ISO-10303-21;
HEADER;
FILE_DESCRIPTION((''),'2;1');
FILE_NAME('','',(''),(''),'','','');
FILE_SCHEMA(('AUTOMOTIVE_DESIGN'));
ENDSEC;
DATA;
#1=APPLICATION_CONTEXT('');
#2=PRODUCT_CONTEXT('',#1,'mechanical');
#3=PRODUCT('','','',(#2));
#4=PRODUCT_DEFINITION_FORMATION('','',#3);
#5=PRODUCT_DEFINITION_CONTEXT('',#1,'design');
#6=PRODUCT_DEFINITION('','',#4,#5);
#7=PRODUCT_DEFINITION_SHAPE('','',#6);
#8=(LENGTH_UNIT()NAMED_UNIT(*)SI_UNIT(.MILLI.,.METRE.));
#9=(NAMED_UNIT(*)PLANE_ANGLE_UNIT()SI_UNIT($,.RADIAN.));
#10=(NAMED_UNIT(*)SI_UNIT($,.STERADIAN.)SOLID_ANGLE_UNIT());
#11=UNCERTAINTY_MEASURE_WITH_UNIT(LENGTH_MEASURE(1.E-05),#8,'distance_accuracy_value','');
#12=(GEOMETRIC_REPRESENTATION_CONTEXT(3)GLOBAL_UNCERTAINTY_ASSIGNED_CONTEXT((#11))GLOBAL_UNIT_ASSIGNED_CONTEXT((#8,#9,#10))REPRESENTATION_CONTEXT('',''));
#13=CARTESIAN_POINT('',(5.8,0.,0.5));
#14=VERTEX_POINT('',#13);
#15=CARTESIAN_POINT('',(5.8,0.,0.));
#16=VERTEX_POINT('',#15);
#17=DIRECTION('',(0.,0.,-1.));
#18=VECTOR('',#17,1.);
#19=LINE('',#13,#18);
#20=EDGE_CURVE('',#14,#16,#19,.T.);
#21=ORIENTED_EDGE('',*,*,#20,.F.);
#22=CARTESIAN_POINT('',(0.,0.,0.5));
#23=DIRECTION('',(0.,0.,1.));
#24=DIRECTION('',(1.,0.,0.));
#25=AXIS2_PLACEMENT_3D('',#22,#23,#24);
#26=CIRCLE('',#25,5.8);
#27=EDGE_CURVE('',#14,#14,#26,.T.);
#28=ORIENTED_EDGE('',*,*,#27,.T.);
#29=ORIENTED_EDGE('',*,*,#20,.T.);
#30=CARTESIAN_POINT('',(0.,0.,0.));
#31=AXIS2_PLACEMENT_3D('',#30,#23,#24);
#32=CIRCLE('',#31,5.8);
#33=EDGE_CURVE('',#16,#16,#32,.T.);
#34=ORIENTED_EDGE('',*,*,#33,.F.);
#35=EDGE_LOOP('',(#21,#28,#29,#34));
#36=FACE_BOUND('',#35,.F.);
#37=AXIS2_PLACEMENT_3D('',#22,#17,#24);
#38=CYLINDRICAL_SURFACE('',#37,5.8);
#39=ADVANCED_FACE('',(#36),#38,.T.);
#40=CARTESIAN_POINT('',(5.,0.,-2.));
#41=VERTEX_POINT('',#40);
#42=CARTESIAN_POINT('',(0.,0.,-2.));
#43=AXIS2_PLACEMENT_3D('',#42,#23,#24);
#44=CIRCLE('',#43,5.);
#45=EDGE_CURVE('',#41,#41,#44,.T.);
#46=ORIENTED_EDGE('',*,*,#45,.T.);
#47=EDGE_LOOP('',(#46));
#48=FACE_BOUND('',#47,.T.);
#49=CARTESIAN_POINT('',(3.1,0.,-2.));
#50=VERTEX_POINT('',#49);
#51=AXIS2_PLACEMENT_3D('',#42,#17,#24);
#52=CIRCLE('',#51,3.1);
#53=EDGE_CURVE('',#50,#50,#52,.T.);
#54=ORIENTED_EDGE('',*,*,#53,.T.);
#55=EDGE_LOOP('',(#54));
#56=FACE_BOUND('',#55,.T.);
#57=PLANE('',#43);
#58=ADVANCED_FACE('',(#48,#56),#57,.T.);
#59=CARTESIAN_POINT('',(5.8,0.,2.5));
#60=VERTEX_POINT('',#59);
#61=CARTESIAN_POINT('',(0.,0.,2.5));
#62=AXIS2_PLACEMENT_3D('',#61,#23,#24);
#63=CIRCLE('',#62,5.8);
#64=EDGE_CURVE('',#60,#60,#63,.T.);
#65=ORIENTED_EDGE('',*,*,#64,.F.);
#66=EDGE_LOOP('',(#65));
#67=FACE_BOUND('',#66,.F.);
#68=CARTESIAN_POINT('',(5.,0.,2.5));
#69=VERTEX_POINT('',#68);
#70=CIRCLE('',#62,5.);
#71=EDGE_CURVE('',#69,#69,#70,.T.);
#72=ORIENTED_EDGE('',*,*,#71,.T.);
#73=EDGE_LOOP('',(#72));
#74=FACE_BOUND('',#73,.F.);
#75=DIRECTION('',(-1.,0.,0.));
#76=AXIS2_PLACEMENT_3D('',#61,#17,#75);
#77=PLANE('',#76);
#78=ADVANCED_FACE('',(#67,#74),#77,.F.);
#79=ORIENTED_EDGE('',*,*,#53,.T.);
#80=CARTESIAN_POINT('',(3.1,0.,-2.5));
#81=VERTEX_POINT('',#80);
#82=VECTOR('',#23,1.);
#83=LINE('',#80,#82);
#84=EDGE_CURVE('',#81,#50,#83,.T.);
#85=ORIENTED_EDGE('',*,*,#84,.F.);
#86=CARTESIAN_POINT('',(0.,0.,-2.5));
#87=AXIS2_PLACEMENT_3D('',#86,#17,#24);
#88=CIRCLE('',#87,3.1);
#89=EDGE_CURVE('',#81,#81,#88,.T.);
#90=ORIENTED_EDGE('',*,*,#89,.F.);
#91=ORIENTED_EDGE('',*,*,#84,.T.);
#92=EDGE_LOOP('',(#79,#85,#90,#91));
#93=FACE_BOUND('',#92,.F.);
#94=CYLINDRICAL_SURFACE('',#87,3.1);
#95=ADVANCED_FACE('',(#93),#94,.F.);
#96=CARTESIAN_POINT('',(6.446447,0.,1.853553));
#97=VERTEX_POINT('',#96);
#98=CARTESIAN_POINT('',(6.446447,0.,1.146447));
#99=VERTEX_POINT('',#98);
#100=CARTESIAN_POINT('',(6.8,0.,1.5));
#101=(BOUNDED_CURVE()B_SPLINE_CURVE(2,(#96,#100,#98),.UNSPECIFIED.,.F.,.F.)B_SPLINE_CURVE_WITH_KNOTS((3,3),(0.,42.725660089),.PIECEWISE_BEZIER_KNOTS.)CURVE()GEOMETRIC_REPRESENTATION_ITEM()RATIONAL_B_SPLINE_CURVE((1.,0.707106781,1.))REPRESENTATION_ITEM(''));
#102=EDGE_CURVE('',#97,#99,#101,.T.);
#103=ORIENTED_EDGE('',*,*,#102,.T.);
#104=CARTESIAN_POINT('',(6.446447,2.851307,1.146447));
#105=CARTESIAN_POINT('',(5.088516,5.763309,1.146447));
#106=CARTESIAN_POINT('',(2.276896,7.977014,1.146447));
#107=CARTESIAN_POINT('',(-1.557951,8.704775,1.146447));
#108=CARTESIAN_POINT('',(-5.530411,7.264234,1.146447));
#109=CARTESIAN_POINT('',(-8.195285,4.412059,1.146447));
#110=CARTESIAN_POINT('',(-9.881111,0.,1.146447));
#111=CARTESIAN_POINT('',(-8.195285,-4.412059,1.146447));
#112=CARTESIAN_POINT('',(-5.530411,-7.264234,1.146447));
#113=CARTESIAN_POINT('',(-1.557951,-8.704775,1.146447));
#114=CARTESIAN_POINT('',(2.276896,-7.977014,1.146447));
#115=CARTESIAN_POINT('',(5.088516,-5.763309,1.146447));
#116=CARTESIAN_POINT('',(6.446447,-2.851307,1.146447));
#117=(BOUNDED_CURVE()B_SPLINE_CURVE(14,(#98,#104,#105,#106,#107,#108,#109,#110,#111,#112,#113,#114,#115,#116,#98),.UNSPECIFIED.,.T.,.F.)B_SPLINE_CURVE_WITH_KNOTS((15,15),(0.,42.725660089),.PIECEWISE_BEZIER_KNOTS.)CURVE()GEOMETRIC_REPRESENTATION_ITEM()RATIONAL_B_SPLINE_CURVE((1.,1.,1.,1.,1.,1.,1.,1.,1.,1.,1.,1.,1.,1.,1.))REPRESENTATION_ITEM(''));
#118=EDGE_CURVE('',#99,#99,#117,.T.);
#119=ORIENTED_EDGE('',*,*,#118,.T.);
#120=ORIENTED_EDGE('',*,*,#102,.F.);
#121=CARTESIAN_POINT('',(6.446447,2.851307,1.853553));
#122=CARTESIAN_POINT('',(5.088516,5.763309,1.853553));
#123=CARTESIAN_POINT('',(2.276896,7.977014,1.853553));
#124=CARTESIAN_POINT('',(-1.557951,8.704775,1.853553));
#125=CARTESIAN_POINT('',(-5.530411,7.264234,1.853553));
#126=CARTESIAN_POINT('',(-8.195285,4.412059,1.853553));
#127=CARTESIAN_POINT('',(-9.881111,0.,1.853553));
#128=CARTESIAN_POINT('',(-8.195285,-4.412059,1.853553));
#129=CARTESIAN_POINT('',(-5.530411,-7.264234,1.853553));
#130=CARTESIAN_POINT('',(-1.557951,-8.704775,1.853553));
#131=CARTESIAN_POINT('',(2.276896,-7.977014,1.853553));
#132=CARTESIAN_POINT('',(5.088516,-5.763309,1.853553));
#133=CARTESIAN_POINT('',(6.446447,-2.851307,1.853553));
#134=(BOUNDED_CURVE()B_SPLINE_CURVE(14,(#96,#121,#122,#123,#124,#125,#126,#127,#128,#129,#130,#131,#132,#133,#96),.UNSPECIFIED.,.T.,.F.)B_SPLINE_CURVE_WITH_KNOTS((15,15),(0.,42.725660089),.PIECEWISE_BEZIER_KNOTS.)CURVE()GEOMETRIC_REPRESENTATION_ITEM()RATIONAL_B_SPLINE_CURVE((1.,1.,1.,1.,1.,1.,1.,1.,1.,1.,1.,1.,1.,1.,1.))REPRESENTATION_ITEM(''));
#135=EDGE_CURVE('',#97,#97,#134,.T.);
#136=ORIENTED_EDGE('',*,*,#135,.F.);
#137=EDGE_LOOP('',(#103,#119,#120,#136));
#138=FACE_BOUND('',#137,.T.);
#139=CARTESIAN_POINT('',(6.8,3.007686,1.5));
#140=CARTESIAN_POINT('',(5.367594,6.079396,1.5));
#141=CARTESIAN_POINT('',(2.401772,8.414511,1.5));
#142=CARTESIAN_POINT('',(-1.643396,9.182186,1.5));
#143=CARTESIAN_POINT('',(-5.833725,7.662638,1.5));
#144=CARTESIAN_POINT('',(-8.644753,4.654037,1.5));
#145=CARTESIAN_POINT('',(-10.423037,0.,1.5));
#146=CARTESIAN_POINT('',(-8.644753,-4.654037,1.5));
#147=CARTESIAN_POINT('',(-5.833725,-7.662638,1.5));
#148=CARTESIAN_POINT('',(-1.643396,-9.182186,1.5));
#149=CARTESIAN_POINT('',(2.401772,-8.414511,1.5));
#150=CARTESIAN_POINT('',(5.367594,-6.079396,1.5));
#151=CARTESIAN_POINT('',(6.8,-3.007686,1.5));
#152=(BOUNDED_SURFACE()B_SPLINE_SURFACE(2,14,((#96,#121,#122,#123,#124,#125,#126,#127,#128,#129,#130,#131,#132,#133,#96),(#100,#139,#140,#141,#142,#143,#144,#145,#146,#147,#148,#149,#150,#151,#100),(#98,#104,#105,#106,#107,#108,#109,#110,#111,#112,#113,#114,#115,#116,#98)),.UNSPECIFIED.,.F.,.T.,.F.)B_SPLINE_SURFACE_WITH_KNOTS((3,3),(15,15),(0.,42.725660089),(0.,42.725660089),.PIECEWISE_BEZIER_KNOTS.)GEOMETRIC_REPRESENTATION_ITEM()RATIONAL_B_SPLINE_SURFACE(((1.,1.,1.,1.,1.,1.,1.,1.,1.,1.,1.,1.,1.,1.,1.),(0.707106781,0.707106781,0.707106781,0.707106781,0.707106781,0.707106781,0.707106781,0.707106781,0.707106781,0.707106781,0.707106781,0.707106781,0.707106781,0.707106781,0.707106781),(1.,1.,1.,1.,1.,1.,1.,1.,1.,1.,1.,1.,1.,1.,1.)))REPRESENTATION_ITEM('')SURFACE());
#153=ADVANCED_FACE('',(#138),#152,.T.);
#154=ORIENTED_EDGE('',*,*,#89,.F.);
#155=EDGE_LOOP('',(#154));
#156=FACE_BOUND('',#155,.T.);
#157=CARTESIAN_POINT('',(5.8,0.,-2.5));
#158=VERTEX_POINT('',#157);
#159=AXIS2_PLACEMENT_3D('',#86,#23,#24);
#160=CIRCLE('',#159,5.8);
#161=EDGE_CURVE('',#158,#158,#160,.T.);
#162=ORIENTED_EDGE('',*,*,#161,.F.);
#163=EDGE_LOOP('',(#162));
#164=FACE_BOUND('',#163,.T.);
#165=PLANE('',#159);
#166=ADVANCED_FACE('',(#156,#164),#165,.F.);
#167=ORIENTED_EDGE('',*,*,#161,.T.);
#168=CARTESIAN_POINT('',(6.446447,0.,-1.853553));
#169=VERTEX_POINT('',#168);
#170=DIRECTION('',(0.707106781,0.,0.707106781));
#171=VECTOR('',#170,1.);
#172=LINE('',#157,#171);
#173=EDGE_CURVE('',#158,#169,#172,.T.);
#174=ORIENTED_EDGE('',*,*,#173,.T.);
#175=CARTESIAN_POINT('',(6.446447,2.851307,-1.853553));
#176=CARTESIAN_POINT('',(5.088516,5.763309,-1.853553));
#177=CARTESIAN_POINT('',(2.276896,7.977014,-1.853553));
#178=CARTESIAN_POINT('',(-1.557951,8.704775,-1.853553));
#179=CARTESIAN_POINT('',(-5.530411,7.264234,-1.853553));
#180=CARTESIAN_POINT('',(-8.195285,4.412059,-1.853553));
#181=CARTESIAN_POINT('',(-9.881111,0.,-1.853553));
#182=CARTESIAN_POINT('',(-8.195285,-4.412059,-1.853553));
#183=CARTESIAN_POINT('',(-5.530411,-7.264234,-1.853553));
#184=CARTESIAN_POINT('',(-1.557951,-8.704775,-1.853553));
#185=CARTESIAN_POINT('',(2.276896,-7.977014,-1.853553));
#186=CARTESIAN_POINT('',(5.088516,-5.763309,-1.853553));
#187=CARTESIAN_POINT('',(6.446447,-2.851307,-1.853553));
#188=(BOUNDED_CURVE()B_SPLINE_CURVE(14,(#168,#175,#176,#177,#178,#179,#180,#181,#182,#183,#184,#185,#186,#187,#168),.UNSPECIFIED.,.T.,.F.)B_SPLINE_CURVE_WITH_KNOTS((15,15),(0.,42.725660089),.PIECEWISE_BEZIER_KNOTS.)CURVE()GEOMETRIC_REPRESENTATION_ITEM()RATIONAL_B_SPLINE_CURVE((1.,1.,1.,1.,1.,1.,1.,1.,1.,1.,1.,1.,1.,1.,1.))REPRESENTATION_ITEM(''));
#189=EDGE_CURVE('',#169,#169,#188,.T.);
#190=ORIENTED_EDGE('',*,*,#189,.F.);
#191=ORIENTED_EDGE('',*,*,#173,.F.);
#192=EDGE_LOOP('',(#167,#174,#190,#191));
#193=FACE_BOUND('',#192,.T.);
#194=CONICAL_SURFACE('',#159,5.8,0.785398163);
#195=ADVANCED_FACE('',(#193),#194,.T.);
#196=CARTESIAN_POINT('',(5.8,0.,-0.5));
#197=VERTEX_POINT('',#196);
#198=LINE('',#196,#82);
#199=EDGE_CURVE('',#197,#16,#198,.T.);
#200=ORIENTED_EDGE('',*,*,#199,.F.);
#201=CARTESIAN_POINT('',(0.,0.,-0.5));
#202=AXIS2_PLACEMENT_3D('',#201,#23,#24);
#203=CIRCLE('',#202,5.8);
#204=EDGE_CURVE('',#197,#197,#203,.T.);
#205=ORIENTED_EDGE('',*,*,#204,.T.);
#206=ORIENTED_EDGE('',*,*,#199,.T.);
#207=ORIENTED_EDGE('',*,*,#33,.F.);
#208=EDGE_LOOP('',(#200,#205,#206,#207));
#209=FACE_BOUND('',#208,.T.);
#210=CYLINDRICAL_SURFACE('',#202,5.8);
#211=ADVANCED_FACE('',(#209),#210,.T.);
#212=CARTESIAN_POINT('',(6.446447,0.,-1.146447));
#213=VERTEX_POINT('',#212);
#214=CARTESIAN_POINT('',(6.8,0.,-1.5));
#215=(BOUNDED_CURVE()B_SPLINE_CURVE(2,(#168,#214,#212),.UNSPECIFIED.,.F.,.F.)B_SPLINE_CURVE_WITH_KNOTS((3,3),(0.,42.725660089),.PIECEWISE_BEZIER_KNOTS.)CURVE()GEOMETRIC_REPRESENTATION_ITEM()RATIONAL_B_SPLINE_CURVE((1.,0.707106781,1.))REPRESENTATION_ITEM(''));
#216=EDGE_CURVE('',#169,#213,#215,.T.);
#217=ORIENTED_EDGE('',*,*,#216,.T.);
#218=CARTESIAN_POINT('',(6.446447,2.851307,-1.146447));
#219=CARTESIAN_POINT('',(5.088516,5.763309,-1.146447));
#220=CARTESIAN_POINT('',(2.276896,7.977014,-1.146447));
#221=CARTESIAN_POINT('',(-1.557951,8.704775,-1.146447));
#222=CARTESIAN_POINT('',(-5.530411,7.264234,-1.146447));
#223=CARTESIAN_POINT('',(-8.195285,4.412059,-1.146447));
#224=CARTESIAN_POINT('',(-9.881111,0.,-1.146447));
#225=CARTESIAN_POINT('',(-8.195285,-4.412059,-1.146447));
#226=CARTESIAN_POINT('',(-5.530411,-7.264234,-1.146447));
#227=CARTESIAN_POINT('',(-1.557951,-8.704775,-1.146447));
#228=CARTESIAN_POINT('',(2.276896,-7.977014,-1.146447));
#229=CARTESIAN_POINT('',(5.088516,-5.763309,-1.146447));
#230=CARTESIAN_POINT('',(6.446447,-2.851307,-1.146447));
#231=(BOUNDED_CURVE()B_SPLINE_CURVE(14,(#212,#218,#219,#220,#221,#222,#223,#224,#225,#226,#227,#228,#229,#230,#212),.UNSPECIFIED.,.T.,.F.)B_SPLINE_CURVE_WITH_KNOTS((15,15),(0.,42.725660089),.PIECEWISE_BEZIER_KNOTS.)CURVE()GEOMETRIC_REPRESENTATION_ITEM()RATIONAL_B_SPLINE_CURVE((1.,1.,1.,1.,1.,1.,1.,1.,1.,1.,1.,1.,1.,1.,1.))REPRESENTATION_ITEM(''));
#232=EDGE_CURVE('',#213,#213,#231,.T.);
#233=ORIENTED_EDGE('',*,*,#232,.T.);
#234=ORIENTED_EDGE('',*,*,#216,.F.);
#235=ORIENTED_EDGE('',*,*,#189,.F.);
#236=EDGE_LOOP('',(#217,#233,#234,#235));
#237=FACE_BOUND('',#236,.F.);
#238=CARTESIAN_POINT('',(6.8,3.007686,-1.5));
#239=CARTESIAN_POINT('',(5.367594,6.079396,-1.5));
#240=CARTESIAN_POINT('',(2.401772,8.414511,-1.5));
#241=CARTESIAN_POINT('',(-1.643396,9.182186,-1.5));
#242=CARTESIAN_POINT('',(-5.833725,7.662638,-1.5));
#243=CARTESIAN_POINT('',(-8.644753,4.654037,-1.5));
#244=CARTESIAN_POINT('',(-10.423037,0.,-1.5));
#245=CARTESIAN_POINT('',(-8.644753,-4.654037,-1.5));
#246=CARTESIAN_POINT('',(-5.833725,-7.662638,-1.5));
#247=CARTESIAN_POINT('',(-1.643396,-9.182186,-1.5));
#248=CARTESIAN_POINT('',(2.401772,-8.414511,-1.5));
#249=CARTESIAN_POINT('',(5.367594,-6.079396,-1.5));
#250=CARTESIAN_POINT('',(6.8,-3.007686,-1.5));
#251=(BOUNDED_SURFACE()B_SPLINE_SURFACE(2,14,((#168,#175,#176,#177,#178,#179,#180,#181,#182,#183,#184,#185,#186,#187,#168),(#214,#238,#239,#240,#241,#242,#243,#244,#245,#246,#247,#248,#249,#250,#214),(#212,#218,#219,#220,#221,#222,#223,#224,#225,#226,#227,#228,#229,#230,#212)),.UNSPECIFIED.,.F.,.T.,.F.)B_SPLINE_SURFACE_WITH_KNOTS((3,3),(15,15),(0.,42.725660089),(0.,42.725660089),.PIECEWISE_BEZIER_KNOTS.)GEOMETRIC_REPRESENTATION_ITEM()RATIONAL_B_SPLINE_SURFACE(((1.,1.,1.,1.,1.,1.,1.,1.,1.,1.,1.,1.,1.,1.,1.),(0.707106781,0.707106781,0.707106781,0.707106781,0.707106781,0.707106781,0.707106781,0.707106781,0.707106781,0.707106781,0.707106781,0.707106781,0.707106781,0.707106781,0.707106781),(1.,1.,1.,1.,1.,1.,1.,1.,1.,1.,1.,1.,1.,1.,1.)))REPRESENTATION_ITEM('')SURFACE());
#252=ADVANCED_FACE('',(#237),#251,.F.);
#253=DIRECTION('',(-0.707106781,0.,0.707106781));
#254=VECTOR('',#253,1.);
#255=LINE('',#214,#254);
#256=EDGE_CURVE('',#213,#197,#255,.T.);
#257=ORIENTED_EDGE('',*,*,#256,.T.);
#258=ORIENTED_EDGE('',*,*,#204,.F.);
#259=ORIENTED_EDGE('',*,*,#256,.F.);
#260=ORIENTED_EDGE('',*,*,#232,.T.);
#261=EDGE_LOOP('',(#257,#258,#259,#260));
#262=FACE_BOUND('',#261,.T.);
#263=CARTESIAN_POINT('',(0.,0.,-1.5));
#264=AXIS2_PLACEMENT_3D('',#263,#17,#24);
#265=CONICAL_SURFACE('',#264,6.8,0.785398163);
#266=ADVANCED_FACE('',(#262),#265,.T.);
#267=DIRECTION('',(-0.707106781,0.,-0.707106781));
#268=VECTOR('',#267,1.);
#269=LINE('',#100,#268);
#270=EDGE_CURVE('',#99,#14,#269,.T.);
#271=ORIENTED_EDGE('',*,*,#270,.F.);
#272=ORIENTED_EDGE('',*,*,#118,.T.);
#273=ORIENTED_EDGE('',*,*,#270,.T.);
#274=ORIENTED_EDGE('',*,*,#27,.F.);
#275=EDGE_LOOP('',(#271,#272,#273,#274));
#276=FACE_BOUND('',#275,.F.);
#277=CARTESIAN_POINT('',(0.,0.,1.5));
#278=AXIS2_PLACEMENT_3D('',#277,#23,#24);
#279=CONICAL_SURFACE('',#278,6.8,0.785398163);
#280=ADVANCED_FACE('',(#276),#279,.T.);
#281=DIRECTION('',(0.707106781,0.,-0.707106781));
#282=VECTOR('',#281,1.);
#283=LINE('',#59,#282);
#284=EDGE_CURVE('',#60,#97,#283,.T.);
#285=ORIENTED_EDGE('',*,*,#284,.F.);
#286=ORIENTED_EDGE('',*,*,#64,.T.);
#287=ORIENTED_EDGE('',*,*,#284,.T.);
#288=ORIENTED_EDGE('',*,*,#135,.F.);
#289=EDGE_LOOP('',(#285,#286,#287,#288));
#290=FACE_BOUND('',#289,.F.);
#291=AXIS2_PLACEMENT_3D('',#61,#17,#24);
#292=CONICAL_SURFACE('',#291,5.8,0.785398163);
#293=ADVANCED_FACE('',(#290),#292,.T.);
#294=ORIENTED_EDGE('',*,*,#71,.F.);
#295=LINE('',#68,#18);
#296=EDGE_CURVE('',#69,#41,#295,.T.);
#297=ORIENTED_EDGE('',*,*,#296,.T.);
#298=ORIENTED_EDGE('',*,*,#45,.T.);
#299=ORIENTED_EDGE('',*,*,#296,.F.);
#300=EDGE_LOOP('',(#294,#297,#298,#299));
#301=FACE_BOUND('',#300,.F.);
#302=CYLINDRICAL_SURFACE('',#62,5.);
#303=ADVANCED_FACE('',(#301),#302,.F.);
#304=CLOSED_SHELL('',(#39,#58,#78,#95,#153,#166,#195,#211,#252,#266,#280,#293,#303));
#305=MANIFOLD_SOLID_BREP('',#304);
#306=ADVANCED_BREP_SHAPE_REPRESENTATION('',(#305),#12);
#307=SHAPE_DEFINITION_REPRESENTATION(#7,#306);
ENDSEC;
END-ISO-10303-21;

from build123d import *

# Parameters (mm, degrees)
FILLET_R           = 0.5
SKETCH002_R        = 5
POCKET_DEPTH       = 4.5
SKETCH003_R        = 3.1
POCKET008003_DEPTH = 5.001


with BuildPart() as fillet_body:
    # Sketch001 → Revolution (revolve)
    with BuildSketch(Plane.XZ):
        Polygon((0, -2.5), (5.8, -2.5), (6.8, -1.5), (5.8, -0.5), (5.8, 0), (0, 0), align=None)
    revolve(axis=Axis((0, 0, 0), (0, 0, 1)))

    # Fillet
    fillet_edges = [fillet_body.edges().sort_by_distance(p)[0] for p in [
        (-6.8, 0, -1.5),
    ]]
    fillet(fillet_edges, radius=FILLET_R)


with BuildPart() as part_mirroring:
    # Part__Mirroring: instance of Fillet body
    add(fillet_body.part.mirror(Plane(origin=(0, 0, 0), x_dir=(0, 1, 0), z_dir=(0, 0, 1))))


with BuildPart() as bolthead001:
    # Fusion base: copy of Fillet body
    add(fillet_body.part)

    # Fusion: union Part__Mirroring
    add(part_mirroring.part)

    # Sketch002 → Pocket (cut)
    with BuildSketch(Plane.XY.offset(2.5)):
        Circle(SKETCH002_R)
    extrude(amount=-POCKET_DEPTH, mode=Mode.SUBTRACT)

    # Sketch003 → Pocket008003 (cut, through all)
    with BuildSketch(Plane(origin=(0, 0, -2.5), x_dir=(1, 0, 0), z_dir=(0, 0, -1))):
        Circle(SKETCH003_R)
    extrude(amount=-POCKET008003_DEPTH, mode=Mode.SUBTRACT)


solid = bolthead001.part
